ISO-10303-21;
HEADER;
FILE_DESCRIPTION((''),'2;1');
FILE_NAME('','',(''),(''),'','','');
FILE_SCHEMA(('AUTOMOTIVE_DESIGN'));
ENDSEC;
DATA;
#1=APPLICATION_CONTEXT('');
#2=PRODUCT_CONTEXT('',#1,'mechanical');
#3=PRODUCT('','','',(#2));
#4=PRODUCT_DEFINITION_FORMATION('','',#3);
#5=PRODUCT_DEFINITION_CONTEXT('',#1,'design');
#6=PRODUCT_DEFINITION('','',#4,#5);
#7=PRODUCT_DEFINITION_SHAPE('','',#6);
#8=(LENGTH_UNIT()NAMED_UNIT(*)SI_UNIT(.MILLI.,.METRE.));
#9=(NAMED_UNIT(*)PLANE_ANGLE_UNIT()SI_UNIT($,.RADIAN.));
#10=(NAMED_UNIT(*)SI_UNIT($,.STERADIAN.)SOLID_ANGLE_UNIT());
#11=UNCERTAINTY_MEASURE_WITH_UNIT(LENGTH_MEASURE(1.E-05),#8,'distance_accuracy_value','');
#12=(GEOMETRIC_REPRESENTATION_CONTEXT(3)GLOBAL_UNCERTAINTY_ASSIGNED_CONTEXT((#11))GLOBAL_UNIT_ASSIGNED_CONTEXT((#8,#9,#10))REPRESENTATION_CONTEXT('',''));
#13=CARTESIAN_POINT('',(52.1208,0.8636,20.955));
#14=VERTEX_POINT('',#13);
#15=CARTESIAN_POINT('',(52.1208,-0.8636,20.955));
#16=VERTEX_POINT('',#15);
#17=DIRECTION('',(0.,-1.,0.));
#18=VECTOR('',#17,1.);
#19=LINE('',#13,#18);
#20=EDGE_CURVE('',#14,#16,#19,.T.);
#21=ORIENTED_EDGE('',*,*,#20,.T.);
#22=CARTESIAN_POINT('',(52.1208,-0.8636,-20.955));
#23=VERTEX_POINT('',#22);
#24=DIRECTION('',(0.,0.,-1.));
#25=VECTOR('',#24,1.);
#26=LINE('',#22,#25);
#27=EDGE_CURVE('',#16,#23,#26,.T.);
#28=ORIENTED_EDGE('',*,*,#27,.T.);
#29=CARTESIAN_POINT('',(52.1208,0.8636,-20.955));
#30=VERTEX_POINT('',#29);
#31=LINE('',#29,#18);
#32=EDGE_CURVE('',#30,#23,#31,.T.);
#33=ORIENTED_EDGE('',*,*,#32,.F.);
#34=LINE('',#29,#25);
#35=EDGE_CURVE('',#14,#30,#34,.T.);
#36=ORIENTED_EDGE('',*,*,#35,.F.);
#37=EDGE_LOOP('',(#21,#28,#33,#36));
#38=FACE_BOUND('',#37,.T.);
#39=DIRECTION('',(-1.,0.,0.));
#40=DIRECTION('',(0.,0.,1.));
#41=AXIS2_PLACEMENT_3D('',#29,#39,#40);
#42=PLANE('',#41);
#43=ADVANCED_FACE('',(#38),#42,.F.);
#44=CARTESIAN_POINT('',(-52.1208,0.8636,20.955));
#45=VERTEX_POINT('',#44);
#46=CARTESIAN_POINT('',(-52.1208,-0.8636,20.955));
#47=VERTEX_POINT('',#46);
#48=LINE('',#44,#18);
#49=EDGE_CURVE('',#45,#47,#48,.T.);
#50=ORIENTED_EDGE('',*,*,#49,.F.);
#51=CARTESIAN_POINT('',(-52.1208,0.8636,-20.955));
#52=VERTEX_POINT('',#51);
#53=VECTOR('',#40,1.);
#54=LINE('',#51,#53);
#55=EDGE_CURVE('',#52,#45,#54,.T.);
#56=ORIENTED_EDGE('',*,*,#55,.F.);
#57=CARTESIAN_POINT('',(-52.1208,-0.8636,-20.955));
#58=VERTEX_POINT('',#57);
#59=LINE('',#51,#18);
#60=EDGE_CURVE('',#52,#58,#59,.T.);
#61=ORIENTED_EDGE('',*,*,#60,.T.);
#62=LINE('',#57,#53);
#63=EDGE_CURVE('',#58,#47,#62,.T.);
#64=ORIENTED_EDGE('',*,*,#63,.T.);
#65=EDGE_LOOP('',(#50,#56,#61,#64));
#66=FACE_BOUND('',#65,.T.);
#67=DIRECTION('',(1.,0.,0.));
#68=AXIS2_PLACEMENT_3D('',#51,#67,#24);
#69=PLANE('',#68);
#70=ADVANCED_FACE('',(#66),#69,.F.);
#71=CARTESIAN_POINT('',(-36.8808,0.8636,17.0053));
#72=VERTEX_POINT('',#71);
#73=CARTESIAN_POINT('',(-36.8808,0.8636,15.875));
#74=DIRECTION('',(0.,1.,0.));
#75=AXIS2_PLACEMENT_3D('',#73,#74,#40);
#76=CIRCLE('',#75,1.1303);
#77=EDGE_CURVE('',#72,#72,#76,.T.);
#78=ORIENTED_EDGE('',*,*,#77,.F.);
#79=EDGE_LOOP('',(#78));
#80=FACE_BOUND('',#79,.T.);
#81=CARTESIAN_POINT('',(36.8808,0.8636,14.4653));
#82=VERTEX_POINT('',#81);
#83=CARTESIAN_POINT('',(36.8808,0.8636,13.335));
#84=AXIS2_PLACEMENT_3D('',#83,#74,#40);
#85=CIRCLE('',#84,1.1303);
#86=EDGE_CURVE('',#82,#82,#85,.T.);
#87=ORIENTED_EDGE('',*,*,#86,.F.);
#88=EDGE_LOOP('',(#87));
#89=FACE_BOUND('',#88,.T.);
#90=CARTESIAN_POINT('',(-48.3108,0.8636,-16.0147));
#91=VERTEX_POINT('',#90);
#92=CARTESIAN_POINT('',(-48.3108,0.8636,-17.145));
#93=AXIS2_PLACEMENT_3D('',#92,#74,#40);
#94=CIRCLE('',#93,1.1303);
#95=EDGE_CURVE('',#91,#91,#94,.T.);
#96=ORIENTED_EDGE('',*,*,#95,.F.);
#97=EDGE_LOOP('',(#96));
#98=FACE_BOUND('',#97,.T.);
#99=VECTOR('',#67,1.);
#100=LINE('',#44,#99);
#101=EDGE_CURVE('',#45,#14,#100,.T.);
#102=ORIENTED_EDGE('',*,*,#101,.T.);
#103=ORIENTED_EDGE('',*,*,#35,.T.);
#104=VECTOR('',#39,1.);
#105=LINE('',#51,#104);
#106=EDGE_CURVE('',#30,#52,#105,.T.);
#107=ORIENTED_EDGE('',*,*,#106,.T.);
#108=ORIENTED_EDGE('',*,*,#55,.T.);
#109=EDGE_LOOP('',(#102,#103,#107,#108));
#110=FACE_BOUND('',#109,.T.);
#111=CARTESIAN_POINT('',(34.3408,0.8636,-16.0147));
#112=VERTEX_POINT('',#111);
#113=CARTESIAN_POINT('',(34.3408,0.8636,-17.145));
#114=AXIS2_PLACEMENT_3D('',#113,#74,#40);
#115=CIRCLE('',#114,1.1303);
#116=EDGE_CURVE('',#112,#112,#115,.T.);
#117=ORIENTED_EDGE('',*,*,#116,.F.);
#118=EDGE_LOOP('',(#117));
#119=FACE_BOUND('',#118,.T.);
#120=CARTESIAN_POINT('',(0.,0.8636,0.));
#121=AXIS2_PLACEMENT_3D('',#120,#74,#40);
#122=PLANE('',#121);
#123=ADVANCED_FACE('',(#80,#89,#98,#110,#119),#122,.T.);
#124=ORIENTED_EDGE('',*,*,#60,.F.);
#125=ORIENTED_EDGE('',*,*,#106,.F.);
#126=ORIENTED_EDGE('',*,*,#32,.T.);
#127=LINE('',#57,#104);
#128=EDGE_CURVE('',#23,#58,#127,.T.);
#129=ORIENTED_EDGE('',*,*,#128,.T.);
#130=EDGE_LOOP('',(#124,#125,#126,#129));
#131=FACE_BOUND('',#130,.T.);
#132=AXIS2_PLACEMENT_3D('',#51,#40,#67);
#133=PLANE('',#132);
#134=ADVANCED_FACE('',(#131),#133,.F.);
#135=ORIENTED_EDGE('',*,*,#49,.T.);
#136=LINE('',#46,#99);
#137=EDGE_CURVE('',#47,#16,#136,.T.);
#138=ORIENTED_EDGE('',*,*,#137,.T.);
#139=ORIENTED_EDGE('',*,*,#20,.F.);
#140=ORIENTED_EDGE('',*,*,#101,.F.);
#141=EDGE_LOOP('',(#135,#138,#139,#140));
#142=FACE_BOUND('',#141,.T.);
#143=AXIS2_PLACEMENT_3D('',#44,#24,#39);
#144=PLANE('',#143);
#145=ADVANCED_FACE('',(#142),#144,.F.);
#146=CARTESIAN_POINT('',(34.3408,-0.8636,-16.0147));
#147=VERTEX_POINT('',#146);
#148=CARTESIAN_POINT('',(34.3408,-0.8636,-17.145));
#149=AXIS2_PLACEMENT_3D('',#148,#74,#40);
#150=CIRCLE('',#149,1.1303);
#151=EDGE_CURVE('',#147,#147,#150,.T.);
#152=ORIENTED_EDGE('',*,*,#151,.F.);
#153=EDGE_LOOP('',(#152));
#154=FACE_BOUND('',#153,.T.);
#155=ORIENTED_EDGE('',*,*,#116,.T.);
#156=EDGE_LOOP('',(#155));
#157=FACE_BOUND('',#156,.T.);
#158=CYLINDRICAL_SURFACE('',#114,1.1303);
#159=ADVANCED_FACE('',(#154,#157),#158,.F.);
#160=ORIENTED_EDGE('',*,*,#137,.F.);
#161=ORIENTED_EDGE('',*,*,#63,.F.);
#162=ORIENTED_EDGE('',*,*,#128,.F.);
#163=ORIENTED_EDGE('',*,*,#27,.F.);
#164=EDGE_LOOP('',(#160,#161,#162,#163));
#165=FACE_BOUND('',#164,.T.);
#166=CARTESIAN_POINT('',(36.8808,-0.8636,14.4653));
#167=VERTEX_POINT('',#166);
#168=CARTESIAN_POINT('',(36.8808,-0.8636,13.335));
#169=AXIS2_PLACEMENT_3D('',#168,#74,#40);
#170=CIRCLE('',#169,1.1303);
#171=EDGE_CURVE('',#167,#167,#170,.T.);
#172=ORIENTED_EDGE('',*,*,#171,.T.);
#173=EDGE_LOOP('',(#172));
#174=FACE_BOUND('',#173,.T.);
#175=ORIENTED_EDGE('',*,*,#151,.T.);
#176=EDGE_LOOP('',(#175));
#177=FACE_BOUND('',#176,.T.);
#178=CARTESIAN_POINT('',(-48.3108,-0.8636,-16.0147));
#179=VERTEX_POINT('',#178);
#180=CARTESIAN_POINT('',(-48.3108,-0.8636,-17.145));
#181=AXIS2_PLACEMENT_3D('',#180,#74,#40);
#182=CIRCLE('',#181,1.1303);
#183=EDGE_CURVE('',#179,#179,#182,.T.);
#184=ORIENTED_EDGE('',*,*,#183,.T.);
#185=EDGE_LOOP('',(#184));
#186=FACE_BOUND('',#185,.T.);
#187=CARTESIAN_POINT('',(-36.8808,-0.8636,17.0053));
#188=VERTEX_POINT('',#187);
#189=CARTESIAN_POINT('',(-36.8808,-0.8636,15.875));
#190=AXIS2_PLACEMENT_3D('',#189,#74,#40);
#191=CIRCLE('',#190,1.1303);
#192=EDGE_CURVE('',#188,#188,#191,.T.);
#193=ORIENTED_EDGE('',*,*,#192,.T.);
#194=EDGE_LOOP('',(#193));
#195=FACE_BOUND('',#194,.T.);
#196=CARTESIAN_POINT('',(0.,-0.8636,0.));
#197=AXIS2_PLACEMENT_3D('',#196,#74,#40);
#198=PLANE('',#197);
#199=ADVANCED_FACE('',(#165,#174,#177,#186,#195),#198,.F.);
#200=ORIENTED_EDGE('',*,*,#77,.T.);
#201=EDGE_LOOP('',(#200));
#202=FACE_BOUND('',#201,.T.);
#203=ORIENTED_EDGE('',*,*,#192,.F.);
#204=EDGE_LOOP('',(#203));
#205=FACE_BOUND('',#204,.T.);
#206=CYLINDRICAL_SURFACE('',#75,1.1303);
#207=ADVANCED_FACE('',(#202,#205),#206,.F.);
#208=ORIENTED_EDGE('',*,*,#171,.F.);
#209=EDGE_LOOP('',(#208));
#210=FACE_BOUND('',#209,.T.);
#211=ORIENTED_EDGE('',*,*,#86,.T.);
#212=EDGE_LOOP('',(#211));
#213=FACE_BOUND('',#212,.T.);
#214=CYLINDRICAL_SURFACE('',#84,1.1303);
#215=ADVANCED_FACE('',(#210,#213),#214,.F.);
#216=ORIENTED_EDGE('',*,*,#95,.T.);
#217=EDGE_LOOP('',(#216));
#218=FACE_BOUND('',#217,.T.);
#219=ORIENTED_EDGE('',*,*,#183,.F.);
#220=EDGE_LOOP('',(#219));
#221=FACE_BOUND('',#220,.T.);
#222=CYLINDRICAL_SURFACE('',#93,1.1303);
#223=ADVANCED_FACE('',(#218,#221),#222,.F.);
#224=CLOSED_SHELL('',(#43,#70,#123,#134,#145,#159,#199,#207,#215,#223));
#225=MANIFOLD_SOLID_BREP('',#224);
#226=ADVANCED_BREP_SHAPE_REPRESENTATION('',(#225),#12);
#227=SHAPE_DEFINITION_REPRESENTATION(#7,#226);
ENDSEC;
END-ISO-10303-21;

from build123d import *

# Parameters (mm, degrees)
SKETCH1_W             = 104.2416
SKETCH1_H             = 41.91
BOSS_EXTRUDE1_DEPTH   = 0.8636
F_4_40_TAPPED_HOLE1_D = 2.2606


with BuildPart() as part:
    # Sketch1 → Boss-Extrude1 (new, symmetric)
    with BuildSketch(Plane(origin=(0, 0, 0), x_dir=(1, 0, 0), z_dir=(0, 1, 0))):
        Rectangle(SKETCH1_W, SKETCH1_H)
    extrude(amount=BOSS_EXTRUDE1_DEPTH, both=True)

    # #4-40 Tapped Hole1 (through all)
    with Locations(Plane(origin=(0, 0.8636, 0), x_dir=(1, 0, 0), z_dir=(0, 1, 0))):
        with Locations((-48.3108, 17.145), (-36.8808, -15.875), (34.3408, 17.145), (36.8808, -13.335)):
            Hole(F_4_40_TAPPED_HOLE1_D / 2)


solid = part.part
